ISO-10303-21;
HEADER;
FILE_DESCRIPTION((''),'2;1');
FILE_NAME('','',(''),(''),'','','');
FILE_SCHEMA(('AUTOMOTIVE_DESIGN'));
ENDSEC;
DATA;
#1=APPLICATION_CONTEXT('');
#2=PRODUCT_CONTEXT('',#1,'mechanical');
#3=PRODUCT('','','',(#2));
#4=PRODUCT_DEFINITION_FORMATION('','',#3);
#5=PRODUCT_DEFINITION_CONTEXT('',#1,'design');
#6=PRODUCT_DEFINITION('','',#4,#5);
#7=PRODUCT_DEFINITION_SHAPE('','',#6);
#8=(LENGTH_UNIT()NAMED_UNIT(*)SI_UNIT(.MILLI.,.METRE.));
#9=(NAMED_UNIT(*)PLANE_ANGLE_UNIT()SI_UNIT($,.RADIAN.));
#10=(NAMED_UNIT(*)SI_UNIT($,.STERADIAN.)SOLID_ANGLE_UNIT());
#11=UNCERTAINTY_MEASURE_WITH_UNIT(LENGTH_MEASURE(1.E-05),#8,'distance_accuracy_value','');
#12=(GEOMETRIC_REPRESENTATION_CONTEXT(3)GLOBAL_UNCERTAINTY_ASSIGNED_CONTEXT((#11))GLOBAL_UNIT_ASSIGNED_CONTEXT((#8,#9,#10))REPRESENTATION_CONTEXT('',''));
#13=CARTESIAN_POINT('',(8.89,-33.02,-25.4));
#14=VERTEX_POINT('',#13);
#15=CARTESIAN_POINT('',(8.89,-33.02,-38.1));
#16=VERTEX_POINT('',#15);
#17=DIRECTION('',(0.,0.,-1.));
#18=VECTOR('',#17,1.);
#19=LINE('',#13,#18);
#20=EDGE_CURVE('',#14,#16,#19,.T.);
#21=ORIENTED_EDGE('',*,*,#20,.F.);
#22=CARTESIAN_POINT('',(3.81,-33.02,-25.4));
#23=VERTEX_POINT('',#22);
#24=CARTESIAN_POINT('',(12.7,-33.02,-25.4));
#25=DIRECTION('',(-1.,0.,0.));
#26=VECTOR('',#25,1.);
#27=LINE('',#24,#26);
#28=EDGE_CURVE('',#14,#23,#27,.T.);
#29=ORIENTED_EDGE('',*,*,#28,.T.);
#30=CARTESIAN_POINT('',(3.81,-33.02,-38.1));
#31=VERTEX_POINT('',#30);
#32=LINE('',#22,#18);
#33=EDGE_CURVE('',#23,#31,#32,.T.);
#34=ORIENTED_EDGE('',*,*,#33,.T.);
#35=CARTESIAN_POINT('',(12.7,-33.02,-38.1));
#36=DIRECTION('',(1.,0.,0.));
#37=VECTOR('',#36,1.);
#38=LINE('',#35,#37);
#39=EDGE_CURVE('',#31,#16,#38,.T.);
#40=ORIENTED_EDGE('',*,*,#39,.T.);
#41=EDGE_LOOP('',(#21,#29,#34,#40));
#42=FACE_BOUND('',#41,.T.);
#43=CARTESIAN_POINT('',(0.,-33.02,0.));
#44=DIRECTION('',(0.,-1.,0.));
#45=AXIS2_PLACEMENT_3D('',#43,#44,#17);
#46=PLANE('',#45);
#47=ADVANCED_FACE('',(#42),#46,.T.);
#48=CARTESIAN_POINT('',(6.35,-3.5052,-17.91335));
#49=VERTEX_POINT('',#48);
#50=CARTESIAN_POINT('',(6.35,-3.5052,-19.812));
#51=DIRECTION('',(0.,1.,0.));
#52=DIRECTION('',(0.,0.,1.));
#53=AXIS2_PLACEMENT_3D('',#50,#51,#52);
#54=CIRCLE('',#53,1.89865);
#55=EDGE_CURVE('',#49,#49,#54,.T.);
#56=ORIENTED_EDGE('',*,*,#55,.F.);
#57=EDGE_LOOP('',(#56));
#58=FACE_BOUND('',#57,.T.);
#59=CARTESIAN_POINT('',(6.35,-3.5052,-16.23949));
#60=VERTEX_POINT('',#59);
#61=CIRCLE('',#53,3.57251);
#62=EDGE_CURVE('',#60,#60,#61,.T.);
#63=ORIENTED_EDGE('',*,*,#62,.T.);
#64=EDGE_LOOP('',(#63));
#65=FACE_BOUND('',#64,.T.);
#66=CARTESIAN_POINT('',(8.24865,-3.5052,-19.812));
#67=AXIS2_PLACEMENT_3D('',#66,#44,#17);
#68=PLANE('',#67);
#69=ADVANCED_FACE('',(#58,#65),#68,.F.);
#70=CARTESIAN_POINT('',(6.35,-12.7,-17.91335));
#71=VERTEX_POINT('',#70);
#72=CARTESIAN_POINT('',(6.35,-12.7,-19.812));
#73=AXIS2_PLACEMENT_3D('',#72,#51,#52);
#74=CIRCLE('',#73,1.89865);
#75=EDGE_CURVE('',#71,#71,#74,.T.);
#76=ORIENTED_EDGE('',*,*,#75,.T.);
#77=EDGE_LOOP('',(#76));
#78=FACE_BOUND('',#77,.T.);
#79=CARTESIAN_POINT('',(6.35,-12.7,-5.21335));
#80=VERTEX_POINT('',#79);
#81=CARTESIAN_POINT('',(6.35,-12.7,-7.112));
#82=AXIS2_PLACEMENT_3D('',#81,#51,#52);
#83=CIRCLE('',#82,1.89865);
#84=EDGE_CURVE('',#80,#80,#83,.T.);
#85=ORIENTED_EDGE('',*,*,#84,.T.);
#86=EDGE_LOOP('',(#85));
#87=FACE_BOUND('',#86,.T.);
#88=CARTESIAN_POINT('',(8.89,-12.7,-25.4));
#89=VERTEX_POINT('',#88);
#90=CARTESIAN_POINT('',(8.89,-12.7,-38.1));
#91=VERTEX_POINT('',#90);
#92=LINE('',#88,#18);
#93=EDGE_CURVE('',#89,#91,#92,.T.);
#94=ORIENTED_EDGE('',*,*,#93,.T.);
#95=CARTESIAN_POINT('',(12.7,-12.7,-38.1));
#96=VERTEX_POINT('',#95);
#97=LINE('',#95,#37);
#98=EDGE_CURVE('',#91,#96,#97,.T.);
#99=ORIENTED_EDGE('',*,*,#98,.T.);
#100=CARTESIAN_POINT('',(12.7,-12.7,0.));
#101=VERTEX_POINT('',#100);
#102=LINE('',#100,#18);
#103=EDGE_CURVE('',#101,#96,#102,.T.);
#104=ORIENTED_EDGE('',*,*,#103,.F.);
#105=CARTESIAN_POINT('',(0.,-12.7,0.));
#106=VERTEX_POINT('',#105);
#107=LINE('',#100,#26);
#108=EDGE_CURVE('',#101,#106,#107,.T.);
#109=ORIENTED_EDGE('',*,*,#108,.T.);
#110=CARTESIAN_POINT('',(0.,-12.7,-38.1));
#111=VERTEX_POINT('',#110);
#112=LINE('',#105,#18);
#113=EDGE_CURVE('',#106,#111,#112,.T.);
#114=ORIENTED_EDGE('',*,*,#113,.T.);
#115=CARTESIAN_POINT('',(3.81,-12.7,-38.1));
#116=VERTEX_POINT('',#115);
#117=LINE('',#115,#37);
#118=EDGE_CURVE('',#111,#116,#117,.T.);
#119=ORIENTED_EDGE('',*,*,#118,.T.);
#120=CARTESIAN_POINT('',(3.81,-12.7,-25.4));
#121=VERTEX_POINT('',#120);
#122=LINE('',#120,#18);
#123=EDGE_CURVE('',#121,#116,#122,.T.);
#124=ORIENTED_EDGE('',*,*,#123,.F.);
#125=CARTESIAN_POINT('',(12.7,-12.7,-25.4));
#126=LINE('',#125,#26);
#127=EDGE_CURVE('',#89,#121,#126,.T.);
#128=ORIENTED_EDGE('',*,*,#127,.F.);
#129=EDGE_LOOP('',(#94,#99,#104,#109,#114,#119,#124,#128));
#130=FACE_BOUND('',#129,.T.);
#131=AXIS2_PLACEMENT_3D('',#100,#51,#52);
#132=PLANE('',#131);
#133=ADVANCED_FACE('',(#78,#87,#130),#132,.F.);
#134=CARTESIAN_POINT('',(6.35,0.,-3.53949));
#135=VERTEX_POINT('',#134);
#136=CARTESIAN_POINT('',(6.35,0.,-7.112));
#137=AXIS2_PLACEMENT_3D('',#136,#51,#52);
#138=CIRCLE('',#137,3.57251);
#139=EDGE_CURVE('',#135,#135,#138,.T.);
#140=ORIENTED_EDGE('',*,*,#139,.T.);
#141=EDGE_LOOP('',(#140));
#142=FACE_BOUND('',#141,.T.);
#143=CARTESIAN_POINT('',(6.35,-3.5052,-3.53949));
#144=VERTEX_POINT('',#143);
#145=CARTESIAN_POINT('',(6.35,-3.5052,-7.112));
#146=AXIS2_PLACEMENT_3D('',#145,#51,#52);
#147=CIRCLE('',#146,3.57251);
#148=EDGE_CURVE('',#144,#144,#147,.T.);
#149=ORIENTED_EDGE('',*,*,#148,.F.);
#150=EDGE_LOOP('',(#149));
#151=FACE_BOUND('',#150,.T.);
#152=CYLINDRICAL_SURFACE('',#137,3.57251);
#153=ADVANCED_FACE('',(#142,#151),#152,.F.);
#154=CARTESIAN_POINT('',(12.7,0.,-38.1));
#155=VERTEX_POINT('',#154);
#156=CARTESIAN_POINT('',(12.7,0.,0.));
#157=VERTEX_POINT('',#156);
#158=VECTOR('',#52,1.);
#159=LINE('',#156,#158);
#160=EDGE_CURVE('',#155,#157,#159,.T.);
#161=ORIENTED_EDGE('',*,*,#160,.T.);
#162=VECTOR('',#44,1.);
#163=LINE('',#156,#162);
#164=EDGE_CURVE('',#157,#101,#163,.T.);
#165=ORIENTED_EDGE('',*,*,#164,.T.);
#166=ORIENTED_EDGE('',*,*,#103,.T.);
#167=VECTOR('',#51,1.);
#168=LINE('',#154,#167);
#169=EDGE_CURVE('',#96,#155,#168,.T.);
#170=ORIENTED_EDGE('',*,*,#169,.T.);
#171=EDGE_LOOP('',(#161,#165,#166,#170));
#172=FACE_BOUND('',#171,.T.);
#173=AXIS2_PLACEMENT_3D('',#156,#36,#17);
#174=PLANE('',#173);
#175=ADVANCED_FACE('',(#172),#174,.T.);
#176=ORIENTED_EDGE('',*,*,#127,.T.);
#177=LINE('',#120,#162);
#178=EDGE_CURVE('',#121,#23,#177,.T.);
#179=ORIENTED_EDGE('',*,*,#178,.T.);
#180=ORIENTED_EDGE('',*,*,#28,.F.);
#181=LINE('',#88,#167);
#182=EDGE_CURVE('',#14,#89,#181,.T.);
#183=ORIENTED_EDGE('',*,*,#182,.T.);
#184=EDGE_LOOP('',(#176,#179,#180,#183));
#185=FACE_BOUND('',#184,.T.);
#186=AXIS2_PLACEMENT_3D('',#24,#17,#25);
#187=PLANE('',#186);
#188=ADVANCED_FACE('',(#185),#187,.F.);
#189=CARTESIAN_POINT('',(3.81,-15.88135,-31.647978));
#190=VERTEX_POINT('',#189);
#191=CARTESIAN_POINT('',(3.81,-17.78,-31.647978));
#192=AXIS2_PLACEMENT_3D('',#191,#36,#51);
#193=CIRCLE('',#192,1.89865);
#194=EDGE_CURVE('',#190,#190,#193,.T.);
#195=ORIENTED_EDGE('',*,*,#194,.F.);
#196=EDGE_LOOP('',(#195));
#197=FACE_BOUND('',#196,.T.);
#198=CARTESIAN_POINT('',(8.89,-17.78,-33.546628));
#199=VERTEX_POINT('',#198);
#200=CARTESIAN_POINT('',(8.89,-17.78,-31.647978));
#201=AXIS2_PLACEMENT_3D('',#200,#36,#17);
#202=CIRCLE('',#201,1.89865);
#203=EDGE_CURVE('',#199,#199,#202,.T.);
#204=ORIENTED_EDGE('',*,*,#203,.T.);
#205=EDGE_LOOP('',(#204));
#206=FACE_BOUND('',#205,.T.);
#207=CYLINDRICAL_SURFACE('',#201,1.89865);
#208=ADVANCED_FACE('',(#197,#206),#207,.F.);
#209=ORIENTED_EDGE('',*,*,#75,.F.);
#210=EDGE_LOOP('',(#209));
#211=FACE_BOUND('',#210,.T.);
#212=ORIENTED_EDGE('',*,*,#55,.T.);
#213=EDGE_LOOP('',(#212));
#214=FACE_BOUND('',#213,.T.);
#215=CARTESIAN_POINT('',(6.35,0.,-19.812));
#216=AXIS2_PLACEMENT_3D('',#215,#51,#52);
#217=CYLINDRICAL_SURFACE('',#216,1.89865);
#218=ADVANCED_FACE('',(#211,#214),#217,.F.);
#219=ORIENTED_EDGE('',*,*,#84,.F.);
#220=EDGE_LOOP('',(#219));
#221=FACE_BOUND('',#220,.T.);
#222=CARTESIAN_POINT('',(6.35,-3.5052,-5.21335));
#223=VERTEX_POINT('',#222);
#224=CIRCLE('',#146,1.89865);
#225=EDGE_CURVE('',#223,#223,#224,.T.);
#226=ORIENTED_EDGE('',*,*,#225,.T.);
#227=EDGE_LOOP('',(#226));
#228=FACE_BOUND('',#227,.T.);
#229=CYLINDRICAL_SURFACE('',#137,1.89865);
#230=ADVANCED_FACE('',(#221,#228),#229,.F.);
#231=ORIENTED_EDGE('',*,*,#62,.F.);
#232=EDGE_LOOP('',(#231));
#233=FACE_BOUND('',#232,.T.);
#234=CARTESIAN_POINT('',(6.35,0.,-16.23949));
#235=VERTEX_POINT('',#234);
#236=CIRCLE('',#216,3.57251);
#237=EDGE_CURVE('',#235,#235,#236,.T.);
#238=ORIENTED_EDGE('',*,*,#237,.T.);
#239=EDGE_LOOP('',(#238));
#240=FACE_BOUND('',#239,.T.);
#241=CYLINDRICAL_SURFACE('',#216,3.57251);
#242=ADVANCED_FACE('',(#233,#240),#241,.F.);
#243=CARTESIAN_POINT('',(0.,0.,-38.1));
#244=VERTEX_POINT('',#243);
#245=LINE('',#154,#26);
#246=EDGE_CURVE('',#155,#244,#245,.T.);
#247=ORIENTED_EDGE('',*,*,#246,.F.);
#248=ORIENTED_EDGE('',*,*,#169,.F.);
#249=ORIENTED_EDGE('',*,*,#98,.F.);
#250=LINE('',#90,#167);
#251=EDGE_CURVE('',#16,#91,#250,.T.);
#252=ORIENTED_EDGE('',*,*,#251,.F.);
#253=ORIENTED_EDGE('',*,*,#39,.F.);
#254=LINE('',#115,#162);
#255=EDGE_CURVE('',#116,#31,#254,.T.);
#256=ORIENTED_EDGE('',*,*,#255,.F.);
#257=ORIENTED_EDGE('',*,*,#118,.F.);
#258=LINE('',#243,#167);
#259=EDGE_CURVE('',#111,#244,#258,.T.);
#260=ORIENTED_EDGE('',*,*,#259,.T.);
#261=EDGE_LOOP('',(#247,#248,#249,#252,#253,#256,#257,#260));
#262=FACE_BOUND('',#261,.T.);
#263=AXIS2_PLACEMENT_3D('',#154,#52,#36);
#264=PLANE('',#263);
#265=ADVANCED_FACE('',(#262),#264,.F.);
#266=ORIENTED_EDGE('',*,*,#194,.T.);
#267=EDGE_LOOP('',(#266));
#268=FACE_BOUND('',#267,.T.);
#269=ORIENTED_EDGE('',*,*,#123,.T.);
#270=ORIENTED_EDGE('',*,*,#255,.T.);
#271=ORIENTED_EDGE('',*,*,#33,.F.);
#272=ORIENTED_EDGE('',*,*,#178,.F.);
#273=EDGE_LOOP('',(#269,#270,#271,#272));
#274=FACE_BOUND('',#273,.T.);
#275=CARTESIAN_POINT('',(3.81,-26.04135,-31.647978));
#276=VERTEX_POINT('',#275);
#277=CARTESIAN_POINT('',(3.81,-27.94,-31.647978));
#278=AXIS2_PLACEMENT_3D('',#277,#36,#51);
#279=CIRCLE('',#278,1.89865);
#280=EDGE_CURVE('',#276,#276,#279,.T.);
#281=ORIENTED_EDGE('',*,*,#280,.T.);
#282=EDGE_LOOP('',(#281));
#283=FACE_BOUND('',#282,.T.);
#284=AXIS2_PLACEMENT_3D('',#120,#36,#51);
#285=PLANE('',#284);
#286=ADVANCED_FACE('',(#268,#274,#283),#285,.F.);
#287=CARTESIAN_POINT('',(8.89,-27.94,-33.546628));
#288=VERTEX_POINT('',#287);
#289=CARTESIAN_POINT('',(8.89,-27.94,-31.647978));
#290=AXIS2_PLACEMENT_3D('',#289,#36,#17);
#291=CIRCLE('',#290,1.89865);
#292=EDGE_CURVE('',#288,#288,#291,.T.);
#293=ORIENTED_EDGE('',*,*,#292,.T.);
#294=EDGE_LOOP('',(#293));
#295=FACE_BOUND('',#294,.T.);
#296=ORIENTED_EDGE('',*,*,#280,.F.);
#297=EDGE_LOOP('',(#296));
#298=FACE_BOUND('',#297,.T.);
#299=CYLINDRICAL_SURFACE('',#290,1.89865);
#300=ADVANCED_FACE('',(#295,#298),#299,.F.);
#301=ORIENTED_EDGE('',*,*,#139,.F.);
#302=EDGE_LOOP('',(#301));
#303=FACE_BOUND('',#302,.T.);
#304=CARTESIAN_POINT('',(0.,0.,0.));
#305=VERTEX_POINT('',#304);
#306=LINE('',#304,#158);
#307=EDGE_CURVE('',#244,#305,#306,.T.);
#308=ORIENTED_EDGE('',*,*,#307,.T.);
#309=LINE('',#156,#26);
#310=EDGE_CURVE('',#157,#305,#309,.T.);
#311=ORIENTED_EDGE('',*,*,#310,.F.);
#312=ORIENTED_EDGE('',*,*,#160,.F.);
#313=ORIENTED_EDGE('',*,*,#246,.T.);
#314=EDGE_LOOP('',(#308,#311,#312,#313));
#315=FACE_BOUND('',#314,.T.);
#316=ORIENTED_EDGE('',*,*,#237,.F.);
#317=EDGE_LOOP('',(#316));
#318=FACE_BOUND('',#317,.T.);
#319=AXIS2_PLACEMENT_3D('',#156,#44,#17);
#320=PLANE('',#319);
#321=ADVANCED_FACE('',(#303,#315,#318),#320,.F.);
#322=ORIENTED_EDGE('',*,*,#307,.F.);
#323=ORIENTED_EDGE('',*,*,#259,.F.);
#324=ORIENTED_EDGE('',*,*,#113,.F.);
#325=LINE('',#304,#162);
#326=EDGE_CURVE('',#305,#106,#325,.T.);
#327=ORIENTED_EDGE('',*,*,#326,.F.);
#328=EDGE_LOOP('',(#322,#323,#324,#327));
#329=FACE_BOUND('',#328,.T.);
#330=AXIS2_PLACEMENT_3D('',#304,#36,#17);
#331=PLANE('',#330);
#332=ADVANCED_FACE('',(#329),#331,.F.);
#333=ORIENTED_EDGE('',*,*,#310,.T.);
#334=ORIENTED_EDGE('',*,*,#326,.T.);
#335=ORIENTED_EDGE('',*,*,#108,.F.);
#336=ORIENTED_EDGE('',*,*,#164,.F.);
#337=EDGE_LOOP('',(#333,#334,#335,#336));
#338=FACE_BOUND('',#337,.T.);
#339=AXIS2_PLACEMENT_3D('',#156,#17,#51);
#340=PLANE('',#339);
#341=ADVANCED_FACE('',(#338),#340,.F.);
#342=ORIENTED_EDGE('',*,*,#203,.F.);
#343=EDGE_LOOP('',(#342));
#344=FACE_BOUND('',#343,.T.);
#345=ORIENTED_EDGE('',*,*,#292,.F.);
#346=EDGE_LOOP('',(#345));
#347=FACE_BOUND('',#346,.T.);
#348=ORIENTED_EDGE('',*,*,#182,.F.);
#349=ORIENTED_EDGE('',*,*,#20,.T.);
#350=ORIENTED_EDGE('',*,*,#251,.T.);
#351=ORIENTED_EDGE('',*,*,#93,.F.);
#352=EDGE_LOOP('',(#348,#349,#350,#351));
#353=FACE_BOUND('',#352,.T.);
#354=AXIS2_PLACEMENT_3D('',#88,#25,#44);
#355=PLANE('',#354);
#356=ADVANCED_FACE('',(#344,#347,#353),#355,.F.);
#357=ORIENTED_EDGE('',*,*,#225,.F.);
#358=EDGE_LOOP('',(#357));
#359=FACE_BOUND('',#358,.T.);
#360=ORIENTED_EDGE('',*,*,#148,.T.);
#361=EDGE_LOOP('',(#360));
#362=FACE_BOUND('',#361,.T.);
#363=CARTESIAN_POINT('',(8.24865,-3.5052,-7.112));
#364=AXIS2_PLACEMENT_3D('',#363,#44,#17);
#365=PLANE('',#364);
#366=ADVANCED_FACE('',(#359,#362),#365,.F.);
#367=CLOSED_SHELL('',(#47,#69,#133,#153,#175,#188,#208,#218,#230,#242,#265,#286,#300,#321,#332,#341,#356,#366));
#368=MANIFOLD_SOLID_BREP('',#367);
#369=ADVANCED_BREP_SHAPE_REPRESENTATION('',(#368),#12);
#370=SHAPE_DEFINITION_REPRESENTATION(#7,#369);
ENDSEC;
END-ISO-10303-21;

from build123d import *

# Parameters (mm, degrees)
SKETCH1_W                                      = 38.1
SKETCH1_H                                      = 12.7
BOSS_EXTRUDE1_DEPTH                            = 12.7
SKETCH2_W                                      = 12.7
SKETCH2_H                                      = 12.7
BOSS_EXTRUDE2_DEPTH                            = 20.32
SKETCH3_W                                      = 3.81
SKETCH3_H                                      = 20.32
CUT_EXTRUDE1_DEPTH                             = 12.7
F_6_CLEARANCE_HOLE1_D                          = 3.7973
F_6_CLEARANCE_HOLE1_DEPTH                      = 10.16
F_6_CLEARANCE_HOLE1_TIP                        = 1.140824014
CBORE_FOR_6_SOCKET_HEAD_CAP_SCREW1_D           = 3.7973
CBORE_FOR_6_SOCKET_HEAD_CAP_SCREW1_CBORE_D     = 7.14502
CBORE_FOR_6_SOCKET_HEAD_CAP_SCREW1_CBORE_DEPTH = 3.5052


with BuildPart() as part:
    # Sketch1 → Boss-Extrude1 (new body)
    with BuildSketch(Plane(origin=(0, 0, 0), x_dir=(0, 0, -1), z_dir=(1, 0, 0))):
        with Locations((19.05, -6.35)):
            Rectangle(SKETCH1_W, SKETCH1_H)
    extrude(amount=BOSS_EXTRUDE1_DEPTH)

    # Sketch2 → Boss-Extrude2 (add)
    with BuildSketch(Plane.XZ.offset(12.7)):
        with Locations((6.35, -31.75)):
            Rectangle(SKETCH2_W, SKETCH2_H)
    extrude(amount=BOSS_EXTRUDE2_DEPTH)

    # Sketch3 → Cut-Extrude1 (cut)
    with BuildSketch(Plane(origin=(0, 0, -38.1), x_dir=(-1, 0, 0), z_dir=(0, 0, -1))):
        with Locations((-10.795, -22.86)):
            Rectangle(SKETCH3_W, SKETCH3_H)
        with Locations((-1.905, -22.86)):
            Rectangle(SKETCH3_W, SKETCH3_H)
    extrude(amount=-CUT_EXTRUDE1_DEPTH, mode=Mode.SUBTRACT)

    # #6 Clearance Hole1
    with Locations(Plane(origin=(8.89, 0, 0), x_dir=(0, 0, -1), z_dir=(1, 0, 0))):
        with Locations((31.647977642, -17.78), (31.647977642, -27.94), (44.509550176, -23.706107059)):
            Hole(F_6_CLEARANCE_HOLE1_D / 2, depth=F_6_CLEARANCE_HOLE1_DEPTH)
            with Locations((0, 0, -(F_6_CLEARANCE_HOLE1_DEPTH + F_6_CLEARANCE_HOLE1_TIP / 2))):  # 118° drill point
                Cone(0, F_6_CLEARANCE_HOLE1_D / 2, F_6_CLEARANCE_HOLE1_TIP, mode=Mode.SUBTRACT)

    # CBORE for #6 Socket Head Cap Screw1 (through all)
    with Locations(Plane(origin=(0, 0, 0), x_dir=(1, 0, 0), z_dir=(0, 1, 0))):
        with Locations((6.35, 7.112), (6.35, 19.812)):
            CounterBoreHole(CBORE_FOR_6_SOCKET_HEAD_CAP_SCREW1_D / 2, CBORE_FOR_6_SOCKET_HEAD_CAP_SCREW1_CBORE_D / 2, CBORE_FOR_6_SOCKET_HEAD_CAP_SCREW1_CBORE_DEPTH)


solid = part.part
